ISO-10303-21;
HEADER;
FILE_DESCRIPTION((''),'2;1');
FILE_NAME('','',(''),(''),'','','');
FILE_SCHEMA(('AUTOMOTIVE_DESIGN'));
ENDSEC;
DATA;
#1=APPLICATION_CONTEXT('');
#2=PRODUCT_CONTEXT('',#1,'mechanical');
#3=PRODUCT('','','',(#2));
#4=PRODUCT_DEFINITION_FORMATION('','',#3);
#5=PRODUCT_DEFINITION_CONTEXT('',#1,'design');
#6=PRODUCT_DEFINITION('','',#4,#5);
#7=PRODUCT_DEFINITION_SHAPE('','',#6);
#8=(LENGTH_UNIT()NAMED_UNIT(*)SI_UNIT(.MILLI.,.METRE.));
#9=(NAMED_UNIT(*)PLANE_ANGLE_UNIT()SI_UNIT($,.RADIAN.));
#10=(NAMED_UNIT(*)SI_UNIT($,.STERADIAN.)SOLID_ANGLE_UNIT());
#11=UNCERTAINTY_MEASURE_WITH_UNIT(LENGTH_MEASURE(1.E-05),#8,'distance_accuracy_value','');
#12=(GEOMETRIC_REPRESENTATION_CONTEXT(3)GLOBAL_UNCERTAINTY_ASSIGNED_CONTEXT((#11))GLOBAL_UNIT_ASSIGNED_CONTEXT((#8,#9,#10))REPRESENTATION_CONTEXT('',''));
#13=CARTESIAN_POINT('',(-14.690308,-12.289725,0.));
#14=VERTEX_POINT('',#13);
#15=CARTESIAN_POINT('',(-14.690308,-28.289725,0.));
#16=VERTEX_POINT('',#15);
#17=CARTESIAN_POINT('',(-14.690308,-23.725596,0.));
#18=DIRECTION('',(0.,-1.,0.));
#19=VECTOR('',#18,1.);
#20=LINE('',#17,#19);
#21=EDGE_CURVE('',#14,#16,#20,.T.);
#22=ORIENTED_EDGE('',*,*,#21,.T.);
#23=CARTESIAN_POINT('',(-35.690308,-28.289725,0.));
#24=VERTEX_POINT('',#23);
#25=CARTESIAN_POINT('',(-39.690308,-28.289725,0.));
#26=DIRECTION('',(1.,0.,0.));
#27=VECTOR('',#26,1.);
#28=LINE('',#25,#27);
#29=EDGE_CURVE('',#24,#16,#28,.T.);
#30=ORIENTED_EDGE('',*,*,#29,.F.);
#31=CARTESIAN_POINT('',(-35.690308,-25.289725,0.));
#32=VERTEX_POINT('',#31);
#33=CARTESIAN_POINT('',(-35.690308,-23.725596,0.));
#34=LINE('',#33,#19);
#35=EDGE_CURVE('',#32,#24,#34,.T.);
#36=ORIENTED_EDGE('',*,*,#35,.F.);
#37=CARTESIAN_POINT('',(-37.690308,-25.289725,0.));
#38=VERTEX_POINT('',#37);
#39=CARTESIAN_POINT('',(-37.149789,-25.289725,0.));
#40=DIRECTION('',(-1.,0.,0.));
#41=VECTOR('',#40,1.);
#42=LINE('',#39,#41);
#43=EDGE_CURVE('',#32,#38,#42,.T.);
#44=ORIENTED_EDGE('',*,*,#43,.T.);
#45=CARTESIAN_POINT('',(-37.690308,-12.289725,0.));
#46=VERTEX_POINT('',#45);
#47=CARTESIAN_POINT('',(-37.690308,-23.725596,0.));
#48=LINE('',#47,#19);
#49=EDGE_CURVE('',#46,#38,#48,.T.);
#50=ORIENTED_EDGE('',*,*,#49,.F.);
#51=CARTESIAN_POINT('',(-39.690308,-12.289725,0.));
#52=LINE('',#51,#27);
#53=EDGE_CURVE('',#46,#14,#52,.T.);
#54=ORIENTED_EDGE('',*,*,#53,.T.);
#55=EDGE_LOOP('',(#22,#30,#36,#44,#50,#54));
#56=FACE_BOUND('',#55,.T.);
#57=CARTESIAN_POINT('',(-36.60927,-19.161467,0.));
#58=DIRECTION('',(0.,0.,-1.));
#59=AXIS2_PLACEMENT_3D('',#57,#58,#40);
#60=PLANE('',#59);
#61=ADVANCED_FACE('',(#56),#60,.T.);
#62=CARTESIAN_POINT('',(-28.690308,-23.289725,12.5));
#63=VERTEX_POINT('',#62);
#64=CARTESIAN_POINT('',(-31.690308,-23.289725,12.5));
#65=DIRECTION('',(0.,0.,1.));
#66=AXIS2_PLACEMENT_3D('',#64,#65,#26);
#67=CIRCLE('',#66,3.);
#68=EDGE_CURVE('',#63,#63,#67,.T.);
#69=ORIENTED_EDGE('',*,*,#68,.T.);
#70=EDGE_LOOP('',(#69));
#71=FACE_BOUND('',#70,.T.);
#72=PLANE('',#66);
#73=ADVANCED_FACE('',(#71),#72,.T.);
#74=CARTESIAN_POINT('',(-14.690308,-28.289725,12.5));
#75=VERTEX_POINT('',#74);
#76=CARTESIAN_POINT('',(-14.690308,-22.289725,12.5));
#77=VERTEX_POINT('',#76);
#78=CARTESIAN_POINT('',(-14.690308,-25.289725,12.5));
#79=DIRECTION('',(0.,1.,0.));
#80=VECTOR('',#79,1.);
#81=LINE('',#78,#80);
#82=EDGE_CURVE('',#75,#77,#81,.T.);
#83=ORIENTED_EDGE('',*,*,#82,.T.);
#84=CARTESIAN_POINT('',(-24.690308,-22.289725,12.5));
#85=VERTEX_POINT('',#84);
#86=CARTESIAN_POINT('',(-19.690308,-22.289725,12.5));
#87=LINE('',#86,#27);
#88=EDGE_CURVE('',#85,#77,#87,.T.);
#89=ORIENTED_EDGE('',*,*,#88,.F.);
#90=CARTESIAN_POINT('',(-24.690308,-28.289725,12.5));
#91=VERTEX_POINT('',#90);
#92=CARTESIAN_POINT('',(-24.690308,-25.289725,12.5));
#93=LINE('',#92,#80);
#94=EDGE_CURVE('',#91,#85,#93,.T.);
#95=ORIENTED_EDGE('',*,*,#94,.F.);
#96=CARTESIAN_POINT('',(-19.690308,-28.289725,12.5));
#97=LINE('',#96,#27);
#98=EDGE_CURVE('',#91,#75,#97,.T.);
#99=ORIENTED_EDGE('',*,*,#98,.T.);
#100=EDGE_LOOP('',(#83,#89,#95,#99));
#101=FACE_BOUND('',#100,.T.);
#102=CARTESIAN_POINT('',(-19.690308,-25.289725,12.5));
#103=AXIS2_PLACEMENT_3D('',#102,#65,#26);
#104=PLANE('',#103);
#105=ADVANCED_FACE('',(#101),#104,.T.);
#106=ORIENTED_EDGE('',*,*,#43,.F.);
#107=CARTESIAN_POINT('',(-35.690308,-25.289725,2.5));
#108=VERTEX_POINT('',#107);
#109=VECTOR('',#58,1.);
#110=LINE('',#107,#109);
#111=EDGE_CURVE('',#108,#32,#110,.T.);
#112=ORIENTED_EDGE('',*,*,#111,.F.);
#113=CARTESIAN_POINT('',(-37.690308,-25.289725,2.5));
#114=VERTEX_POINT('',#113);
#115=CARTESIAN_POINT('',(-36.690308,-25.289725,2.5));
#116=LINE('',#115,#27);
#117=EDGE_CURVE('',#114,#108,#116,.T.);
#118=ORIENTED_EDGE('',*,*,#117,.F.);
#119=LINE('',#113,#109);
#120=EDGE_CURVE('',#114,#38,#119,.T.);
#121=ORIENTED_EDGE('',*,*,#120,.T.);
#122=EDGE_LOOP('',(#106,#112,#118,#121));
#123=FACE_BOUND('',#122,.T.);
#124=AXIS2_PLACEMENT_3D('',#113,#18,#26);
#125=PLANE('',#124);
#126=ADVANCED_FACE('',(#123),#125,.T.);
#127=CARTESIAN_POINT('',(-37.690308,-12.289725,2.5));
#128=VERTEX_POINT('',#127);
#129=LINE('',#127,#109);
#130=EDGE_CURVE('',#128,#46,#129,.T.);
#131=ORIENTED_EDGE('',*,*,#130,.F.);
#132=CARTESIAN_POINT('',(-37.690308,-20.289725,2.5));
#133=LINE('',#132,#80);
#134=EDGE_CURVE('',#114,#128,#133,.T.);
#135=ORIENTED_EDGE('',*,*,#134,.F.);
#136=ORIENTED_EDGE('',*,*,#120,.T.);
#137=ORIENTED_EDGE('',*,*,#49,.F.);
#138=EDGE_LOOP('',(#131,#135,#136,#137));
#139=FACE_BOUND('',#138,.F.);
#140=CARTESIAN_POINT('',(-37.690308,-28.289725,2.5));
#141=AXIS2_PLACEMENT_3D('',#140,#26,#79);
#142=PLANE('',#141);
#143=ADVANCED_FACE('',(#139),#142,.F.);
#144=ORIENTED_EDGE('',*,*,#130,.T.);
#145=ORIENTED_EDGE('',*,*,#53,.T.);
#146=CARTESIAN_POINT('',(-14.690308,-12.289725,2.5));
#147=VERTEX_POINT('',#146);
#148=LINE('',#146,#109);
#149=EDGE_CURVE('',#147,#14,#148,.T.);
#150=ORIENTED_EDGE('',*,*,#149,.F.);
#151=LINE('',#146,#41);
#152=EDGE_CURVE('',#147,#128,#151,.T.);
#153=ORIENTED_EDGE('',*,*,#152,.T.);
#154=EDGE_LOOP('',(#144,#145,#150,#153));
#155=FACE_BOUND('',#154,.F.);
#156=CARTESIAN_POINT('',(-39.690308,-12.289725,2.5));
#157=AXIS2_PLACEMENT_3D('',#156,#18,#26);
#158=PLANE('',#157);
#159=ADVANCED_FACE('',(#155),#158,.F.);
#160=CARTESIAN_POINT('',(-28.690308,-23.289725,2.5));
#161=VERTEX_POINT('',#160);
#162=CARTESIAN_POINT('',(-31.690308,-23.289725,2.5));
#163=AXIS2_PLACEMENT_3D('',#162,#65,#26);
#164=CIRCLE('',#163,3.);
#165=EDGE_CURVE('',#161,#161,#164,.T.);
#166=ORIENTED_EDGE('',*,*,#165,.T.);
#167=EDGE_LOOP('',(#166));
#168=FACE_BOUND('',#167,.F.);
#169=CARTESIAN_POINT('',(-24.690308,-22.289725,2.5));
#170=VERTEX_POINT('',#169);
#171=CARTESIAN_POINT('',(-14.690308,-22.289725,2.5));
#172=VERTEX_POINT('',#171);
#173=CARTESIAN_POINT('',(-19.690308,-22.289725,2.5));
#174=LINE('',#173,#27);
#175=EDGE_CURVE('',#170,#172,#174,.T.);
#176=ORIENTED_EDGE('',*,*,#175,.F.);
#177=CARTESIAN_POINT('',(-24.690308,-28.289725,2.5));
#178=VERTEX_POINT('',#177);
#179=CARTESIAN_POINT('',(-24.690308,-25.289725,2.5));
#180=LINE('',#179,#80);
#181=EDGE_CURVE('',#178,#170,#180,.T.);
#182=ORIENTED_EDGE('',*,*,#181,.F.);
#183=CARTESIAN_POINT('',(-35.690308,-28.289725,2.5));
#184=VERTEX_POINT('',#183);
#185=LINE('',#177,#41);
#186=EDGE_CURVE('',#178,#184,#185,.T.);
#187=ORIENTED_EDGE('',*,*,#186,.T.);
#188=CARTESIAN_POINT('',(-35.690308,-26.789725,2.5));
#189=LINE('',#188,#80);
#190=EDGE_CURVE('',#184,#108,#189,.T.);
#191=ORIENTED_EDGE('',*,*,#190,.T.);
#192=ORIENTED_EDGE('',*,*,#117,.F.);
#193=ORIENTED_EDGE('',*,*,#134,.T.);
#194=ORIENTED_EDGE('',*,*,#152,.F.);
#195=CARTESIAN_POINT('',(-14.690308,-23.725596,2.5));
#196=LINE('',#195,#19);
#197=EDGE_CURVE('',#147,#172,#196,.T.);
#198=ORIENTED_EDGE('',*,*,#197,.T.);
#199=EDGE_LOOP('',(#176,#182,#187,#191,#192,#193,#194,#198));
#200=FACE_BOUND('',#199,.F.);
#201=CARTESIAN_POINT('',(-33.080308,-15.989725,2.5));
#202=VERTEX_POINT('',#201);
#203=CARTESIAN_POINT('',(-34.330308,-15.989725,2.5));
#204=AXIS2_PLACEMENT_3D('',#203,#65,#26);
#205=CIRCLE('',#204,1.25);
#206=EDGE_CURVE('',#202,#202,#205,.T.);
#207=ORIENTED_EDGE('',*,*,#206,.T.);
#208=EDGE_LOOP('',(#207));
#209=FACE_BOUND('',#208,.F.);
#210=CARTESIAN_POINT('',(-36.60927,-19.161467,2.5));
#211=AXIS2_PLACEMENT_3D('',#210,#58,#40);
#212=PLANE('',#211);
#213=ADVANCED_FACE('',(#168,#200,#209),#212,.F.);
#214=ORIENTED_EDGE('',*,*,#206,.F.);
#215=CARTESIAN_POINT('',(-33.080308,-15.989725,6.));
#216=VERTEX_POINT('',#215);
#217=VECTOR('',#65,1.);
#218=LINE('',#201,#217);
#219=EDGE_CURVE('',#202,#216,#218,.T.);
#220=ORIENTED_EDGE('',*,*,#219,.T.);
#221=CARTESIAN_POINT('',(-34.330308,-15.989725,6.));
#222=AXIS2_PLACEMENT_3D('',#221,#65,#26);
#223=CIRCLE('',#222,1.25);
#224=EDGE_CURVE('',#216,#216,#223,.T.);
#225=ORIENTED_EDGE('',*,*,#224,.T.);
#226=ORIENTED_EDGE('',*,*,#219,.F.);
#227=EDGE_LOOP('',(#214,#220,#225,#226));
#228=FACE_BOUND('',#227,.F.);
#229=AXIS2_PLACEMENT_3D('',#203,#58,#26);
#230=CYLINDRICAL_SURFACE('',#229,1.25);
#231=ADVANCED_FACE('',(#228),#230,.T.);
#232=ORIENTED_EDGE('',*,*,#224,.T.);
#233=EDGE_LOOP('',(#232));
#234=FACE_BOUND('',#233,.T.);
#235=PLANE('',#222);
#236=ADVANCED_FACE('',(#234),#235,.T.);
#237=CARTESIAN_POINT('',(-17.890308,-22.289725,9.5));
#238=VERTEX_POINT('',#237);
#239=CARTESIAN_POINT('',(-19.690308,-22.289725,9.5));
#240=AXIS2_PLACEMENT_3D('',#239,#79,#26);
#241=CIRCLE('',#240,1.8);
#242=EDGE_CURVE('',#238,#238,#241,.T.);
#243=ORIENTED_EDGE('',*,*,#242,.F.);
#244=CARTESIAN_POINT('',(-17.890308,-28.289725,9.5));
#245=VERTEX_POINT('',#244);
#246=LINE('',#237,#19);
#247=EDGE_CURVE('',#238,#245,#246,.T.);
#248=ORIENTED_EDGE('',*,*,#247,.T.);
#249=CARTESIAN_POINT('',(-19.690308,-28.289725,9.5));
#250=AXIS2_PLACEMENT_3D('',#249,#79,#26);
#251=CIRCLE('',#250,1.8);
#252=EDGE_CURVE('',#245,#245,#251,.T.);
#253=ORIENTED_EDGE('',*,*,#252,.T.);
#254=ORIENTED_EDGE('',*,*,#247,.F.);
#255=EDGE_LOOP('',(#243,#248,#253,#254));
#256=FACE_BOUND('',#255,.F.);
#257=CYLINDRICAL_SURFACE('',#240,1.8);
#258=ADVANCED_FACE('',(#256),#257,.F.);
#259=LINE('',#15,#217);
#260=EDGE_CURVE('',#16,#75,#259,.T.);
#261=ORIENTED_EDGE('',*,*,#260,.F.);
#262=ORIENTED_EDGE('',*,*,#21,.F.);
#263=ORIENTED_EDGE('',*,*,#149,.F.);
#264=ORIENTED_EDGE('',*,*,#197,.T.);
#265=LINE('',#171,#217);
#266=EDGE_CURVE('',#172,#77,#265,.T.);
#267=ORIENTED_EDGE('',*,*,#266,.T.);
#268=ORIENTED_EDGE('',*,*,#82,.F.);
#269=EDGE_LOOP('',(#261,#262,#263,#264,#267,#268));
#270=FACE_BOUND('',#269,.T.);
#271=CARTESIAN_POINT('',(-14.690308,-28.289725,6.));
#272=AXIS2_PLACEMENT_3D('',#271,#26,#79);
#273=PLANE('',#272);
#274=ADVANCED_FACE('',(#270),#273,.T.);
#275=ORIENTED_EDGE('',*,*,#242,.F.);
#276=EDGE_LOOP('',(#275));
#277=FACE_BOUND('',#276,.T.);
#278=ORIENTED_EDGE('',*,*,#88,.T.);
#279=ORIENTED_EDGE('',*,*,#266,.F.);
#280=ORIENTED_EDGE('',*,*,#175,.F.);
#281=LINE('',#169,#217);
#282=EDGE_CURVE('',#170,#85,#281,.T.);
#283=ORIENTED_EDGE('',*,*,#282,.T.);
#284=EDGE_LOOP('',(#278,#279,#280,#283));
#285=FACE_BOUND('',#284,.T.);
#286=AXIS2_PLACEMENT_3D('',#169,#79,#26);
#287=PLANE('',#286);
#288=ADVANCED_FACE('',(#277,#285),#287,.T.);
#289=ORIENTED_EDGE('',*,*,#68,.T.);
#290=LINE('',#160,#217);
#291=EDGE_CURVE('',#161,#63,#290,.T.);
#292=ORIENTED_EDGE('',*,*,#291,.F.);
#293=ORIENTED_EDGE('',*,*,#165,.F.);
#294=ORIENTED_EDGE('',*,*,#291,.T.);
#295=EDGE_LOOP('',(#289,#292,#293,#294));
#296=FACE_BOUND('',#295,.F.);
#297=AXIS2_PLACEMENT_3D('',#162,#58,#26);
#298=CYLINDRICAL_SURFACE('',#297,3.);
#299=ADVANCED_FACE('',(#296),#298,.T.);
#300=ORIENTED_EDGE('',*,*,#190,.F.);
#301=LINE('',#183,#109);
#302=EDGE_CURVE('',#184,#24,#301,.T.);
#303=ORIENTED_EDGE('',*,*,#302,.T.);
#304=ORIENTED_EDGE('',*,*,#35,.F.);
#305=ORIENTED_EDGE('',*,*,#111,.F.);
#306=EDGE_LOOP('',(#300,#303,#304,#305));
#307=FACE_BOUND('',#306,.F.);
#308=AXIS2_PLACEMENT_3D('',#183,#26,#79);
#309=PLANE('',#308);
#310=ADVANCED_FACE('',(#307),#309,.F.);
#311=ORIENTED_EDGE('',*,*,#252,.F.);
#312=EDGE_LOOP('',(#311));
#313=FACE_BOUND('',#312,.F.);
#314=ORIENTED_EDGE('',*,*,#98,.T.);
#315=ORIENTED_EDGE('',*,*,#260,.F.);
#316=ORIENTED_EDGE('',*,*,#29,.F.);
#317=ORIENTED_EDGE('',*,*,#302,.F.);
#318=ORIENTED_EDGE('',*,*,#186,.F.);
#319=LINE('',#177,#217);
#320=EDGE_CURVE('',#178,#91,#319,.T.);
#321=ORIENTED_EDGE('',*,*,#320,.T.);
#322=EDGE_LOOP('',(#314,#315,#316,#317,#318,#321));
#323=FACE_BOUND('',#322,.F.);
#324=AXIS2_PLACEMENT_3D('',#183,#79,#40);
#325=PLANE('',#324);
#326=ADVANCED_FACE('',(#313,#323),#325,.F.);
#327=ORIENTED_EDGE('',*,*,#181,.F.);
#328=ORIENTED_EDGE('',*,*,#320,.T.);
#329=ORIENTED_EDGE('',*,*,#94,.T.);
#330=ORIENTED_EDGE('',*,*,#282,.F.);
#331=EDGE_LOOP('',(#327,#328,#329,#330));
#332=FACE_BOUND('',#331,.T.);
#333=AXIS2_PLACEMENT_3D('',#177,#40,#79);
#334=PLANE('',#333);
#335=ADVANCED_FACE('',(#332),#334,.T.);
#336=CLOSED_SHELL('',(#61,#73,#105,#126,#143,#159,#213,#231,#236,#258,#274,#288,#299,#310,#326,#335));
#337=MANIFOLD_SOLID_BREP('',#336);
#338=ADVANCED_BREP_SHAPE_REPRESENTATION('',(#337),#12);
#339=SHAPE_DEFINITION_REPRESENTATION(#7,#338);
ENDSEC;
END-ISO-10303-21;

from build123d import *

# Parameters (mm, degrees)
BOSS_EXTRUDE1_DEPTH = 2.5
SKETCH2_R           = 1.25
BOSS_EXTRUDE2_DEPTH = 3.5
SKETCH3_R           = 3
BOSS_EXTRUDE3_DEPTH = 10
SKETCH4_W           = 10
SKETCH4_H           = 6
BOSS_EXTRUDE4_DEPTH = 10
SKETCH5_R           = 1.8
CUT_EXTRUDE1_DEPTH  = 10
BOSS_EXTRUDE5_DEPTH = 2.5
SKETCH9_W           = 7
SKETCH9_H           = 30
CUT_EXTRUDE2_DEPTH  = 10
SKETCH10_W          = 15.6
SKETCH10_H          = 14
CUT_EXTRUDE3_DEPTH  = 10
SKETCH11_W          = 2
SKETCH11_H          = 16
CUT_EXTRUDE4_DEPTH  = 10
SKETCH12_R          = 1.25
BOSS_EXTRUDE6_DEPTH = 3.5
SKETCH13_W          = 2
SKETCH13_H          = 3
CUT_EXTRUDE5_DEPTH  = 10


with BuildPart() as part:
    # Sketch1 → Boss-Extrude1 (new body)
    with BuildSketch(Plane.XY):
        Polygon((-35.69030782, -28.289725458), (-35.69030782, -18.289725458), (-17.69030782, 1.710274542), (-7.69030782, 1.710274542), (-7.69030782, -28.289725458), align=None)
    extrude(amount=BOSS_EXTRUDE1_DEPTH)

    # Sketch2 → Boss-Extrude2 (add)
    with BuildSketch(Plane.XY.offset(2.5)):
        with Locations((-11.69030782, -2.669725458)):
            Circle(SKETCH2_R)
    extrude(amount=BOSS_EXTRUDE2_DEPTH)

    # Sketch3 → Boss-Extrude3 (add)
    with BuildSketch(Plane.XY.offset(2.5)):
        with Locations((-31.69030782, -23.289725458)):
            Circle(SKETCH3_R)
    extrude(amount=BOSS_EXTRUDE3_DEPTH)

    # Sketch4 → Boss-Extrude4 (add)
    with BuildSketch(Plane.XY.offset(2.5)):
        with Locations((-19.69030782, -25.289725458)):
            Rectangle(SKETCH4_W, SKETCH4_H)
    extrude(amount=BOSS_EXTRUDE4_DEPTH)

    # Sketch5 → Cut-Extrude1 (cut)
    with BuildSketch(Plane(origin=(0, -22.289725458, 0), x_dir=(1, 0, 0), z_dir=(0, 1, 0))):
        with Locations((-19.69030782, -9.5)):
            Circle(SKETCH5_R)
    extrude(amount=-CUT_EXTRUDE1_DEPTH, mode=Mode.SUBTRACT)

    # Sketch6 → Boss-Extrude5 (add)
    with BuildSketch(Plane.XY.offset(2.5)):
        Polygon((-35.69030782, -28.289725458), (-39.69030782, -28.289725458), (-39.69030782, -12.289725458), (-30.29030782, -12.289725458), (-35.69030782, -18.289725458), align=None)
    extrude(amount=-BOSS_EXTRUDE5_DEPTH)

    # Sketch9 → Cut-Extrude2 (cut)
    with BuildSketch(Plane.XY.offset(6)):
        with Locations((-11.19030782, -13.289725458)):
            Rectangle(SKETCH9_W, SKETCH9_H)
    extrude(amount=-CUT_EXTRUDE2_DEPTH, mode=Mode.SUBTRACT)

    # Sketch10 → Cut-Extrude3 (cut)
    with BuildSketch(Plane.XY.offset(2.5)):
        with Locations((-22.49030782, -5.289725458)):
            Rectangle(SKETCH10_W, SKETCH10_H)
    extrude(amount=-CUT_EXTRUDE3_DEPTH, mode=Mode.SUBTRACT)

    # Sketch11 → Cut-Extrude4 (cut)
    with BuildSketch(Plane.XY.offset(2.5)):
        with Locations((-38.69030782, -20.289725458)):
            Rectangle(SKETCH11_W, SKETCH11_H)
    extrude(amount=-CUT_EXTRUDE4_DEPTH, mode=Mode.SUBTRACT)

    # Sketch12 → Boss-Extrude6 (add)
    with BuildSketch(Plane.XY.offset(2.5)):
        with Locations((-34.33030782, -15.989725458)):
            Circle(SKETCH12_R)
    extrude(amount=BOSS_EXTRUDE6_DEPTH)

    # Sketch13 → Cut-Extrude5 (cut)
    with BuildSketch(Plane.XY.offset(2.5)):
        with Locations((-36.69030782, -26.789725458)):
            Rectangle(SKETCH13_W, SKETCH13_H)
    extrude(amount=-CUT_EXTRUDE5_DEPTH, mode=Mode.SUBTRACT)


solid = part.part
